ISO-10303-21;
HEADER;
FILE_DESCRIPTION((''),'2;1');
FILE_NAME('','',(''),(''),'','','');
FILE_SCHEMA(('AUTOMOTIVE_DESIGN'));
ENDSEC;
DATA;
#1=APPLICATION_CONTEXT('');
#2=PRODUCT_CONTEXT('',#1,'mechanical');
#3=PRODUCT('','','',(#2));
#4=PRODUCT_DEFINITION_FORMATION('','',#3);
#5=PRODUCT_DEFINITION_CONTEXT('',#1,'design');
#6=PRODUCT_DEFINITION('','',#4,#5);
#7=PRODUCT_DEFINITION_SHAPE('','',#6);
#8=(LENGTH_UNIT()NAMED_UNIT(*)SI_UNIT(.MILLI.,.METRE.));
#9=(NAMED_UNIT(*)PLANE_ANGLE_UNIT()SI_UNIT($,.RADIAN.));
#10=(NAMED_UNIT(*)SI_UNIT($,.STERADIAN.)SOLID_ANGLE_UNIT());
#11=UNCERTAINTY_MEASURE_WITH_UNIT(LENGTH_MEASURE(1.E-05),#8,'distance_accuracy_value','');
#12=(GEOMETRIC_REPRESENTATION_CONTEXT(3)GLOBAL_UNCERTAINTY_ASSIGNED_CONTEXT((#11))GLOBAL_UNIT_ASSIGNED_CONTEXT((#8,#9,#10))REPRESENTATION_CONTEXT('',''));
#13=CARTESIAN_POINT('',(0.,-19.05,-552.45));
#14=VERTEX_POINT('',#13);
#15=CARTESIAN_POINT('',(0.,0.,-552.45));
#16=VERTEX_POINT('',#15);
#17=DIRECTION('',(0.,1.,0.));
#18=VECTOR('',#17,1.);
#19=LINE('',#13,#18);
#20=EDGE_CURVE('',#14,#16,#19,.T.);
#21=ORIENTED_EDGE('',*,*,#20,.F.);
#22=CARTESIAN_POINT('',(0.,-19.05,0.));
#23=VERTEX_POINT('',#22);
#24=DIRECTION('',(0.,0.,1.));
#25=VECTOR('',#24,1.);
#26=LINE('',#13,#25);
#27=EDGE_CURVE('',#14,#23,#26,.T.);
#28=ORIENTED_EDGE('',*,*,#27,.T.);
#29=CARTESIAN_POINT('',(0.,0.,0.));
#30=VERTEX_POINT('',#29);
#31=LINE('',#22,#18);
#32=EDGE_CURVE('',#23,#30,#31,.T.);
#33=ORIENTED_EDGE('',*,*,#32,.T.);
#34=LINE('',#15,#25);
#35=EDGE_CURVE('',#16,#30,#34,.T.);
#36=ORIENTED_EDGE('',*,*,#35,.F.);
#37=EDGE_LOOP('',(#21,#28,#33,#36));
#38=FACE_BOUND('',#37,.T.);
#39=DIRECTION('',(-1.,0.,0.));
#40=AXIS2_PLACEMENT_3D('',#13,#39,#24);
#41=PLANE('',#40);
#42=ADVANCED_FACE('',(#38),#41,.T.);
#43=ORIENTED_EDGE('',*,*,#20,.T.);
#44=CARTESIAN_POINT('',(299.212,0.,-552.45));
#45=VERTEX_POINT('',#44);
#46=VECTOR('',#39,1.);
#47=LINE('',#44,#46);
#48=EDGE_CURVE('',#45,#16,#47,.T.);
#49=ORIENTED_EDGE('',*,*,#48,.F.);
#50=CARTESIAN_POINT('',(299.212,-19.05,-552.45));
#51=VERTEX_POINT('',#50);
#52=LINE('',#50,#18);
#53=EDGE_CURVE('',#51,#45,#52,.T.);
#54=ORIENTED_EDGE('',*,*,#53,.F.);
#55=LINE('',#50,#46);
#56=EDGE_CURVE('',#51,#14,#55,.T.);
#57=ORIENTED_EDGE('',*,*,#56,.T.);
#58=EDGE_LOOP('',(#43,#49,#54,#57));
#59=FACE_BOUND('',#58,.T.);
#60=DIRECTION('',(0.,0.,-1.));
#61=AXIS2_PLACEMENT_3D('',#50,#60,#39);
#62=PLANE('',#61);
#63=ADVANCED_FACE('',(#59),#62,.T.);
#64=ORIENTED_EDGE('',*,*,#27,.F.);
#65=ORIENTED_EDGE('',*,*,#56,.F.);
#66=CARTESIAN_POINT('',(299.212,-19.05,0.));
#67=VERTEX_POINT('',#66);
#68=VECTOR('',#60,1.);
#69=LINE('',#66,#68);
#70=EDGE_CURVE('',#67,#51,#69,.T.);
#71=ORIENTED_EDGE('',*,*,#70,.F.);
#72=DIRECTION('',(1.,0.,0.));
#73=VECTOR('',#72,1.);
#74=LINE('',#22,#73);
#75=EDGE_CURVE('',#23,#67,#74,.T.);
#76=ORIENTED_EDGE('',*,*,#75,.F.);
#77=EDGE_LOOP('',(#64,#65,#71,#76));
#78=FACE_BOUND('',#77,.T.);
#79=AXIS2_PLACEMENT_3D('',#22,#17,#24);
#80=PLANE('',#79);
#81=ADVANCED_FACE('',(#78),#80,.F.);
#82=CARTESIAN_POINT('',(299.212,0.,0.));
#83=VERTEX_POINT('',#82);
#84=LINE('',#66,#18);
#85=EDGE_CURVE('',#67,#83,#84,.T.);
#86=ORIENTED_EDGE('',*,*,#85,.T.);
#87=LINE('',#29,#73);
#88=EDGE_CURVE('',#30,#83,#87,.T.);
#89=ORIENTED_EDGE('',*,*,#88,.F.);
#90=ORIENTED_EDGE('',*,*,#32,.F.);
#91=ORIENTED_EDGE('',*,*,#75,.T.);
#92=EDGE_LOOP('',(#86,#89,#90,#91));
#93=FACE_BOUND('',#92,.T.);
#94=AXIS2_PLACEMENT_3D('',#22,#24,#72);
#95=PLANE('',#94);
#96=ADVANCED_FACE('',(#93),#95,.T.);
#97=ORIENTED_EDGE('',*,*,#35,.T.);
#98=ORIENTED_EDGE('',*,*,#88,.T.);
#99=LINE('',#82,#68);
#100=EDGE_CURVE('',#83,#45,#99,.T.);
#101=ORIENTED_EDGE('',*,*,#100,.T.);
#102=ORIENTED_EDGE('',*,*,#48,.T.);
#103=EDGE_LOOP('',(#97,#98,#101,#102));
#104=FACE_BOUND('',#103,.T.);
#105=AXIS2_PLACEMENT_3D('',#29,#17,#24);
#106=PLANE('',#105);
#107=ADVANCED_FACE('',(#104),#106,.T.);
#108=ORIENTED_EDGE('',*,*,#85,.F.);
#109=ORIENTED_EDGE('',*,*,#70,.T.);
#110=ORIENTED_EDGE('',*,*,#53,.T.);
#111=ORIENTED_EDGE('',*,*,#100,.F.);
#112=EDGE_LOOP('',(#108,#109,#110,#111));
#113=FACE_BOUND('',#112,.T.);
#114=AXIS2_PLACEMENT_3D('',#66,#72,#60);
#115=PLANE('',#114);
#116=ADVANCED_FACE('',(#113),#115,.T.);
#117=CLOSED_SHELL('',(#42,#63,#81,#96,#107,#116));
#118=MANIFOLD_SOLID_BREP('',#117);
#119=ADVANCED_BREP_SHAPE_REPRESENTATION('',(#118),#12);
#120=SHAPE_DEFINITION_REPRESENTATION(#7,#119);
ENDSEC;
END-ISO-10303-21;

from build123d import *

# Parameters (mm, degrees)
SKETCH1_W           = 299.212
SKETCH1_H           = 552.45
BOSS_EXTRUDE1_DEPTH = 19.05


with BuildPart() as part:
    # Sketch1 → Boss-Extrude1 (new body)
    with BuildSketch(Plane(origin=(0, 0, 0), x_dir=(1, 0, 0), z_dir=(0, 1, 0))):
        with Locations((149.606, 276.225)):
            Rectangle(SKETCH1_W, SKETCH1_H)
    extrude(amount=-BOSS_EXTRUDE1_DEPTH)


solid = part.part
